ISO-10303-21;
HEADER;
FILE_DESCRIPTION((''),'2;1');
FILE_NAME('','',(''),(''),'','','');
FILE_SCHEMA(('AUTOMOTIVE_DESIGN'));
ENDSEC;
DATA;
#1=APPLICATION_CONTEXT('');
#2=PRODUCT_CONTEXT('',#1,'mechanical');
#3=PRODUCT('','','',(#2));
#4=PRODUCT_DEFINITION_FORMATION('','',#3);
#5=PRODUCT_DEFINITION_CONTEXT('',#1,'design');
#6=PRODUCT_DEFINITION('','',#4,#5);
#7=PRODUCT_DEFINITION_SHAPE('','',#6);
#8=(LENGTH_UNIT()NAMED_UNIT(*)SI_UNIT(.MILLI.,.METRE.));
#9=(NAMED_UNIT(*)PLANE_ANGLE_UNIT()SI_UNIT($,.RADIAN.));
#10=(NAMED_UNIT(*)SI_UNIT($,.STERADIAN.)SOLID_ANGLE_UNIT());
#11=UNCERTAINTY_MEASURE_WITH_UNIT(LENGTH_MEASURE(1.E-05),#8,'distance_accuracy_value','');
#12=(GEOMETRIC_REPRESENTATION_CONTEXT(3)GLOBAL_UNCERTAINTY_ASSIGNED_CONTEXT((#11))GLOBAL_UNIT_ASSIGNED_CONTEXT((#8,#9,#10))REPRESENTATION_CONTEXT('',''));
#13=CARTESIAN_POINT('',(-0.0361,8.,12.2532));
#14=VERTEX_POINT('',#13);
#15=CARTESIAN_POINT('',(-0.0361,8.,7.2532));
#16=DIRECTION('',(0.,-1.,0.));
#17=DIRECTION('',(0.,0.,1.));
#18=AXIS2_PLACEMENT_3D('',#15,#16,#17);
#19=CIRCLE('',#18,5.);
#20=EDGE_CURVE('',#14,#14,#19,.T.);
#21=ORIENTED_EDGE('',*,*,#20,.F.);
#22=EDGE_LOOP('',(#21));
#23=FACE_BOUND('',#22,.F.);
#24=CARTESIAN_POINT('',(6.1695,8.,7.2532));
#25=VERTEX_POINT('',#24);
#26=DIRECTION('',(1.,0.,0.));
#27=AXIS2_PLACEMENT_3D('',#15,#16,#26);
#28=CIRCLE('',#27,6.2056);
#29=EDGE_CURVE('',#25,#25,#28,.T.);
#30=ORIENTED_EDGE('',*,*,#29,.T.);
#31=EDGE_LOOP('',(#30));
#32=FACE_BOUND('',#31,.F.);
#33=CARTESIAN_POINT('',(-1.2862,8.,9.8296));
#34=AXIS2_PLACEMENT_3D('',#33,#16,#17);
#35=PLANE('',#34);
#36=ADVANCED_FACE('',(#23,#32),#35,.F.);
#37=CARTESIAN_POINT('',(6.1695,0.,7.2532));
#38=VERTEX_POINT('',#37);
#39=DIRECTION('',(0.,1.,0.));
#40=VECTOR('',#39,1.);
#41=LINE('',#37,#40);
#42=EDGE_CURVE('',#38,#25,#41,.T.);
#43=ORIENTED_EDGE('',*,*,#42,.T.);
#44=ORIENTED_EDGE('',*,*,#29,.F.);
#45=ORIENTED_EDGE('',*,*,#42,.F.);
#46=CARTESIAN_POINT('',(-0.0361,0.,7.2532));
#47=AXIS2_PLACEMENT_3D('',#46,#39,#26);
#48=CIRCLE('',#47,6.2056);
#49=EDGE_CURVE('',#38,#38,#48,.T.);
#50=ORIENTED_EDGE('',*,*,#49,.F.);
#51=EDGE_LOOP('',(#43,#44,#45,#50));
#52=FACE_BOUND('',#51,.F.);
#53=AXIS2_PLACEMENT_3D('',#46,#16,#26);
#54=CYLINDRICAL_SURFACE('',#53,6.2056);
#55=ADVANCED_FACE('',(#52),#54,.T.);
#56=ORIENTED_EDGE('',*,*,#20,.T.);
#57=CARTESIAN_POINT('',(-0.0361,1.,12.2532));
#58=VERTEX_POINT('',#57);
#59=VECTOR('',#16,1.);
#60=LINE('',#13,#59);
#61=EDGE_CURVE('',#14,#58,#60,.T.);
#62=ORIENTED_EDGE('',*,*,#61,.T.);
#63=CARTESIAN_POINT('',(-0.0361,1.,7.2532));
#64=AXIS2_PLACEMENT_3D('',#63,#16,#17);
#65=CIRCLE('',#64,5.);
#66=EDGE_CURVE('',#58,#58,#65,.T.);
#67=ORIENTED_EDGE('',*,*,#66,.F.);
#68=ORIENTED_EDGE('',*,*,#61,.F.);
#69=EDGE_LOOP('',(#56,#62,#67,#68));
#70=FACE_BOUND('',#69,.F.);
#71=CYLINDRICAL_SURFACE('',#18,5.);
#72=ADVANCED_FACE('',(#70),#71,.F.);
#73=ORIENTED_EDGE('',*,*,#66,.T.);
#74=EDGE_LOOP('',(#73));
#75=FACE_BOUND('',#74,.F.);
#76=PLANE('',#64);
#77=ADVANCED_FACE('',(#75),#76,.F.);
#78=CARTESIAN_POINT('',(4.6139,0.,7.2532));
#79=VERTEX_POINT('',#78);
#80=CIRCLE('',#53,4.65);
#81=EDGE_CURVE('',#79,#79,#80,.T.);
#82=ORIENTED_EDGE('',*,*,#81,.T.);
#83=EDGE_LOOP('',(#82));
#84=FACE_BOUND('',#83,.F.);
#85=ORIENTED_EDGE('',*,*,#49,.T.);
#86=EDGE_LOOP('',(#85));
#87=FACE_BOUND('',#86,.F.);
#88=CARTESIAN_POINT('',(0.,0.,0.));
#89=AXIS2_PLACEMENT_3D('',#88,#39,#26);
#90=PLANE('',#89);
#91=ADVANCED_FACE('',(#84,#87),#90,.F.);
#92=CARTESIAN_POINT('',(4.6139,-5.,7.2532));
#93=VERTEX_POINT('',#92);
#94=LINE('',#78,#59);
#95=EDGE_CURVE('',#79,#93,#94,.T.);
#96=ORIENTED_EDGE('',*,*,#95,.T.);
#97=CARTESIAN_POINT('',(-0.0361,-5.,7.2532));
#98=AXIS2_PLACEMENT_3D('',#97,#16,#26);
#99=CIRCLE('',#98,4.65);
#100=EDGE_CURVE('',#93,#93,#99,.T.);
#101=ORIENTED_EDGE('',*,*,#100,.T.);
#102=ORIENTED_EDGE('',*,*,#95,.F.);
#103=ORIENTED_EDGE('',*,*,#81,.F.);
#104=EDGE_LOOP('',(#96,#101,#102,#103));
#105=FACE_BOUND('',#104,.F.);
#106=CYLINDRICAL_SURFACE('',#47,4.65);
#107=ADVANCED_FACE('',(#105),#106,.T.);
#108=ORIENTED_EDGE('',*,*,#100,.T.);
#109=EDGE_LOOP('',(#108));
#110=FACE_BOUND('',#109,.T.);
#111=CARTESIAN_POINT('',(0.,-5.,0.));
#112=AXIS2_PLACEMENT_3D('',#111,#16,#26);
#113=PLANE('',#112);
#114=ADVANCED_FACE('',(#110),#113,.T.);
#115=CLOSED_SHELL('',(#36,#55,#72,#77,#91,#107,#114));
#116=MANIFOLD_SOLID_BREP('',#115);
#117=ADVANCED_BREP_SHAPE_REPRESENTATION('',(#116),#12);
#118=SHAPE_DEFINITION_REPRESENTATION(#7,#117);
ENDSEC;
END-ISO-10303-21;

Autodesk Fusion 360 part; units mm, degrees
sketch "Sketch1" plane through (0, 0, 0) normal (0, 0, 1) x (1, 0, 0)
  curve L0
  curve L1
  curve L2
  curve L3
sketch "Sketch2" plane through (0, 0, 0) normal (0, 1, 0) x (1, 0, 0)
  circle A0 centre (-0.0361, -7.2532) radius 6.2056
extrude "Extrude2" add sketch "Sketch2" along normal blind 11
hole "Hole1" at (-1.2862, 11, 9.8296) direction (0, -1, 0) diameter 19 depth 3 tip angle 180
hole "Hole2" at (-0.0361, 8, 7.2532) direction (0, -1, 0) diameter 10 depth 7 tip angle 180
sketch "Sketch3" plane through (0, 0, 0) normal (0, 1, 0) x (1, 0, 0)
sketch "Sketch4" plane through (0, 0, 0) normal (0, -1, 0) x (1, 0, 0)
  circle A0 centre (-0.0361, 7.2532) radius 6.2056
  circle A1 centre (-0.0361, 7.2532) radius 4.65
extrude "Extrude4" add sketch "Sketch4" along normal blind 5 contours A1
extrude "Extrude3" [suppressed]
